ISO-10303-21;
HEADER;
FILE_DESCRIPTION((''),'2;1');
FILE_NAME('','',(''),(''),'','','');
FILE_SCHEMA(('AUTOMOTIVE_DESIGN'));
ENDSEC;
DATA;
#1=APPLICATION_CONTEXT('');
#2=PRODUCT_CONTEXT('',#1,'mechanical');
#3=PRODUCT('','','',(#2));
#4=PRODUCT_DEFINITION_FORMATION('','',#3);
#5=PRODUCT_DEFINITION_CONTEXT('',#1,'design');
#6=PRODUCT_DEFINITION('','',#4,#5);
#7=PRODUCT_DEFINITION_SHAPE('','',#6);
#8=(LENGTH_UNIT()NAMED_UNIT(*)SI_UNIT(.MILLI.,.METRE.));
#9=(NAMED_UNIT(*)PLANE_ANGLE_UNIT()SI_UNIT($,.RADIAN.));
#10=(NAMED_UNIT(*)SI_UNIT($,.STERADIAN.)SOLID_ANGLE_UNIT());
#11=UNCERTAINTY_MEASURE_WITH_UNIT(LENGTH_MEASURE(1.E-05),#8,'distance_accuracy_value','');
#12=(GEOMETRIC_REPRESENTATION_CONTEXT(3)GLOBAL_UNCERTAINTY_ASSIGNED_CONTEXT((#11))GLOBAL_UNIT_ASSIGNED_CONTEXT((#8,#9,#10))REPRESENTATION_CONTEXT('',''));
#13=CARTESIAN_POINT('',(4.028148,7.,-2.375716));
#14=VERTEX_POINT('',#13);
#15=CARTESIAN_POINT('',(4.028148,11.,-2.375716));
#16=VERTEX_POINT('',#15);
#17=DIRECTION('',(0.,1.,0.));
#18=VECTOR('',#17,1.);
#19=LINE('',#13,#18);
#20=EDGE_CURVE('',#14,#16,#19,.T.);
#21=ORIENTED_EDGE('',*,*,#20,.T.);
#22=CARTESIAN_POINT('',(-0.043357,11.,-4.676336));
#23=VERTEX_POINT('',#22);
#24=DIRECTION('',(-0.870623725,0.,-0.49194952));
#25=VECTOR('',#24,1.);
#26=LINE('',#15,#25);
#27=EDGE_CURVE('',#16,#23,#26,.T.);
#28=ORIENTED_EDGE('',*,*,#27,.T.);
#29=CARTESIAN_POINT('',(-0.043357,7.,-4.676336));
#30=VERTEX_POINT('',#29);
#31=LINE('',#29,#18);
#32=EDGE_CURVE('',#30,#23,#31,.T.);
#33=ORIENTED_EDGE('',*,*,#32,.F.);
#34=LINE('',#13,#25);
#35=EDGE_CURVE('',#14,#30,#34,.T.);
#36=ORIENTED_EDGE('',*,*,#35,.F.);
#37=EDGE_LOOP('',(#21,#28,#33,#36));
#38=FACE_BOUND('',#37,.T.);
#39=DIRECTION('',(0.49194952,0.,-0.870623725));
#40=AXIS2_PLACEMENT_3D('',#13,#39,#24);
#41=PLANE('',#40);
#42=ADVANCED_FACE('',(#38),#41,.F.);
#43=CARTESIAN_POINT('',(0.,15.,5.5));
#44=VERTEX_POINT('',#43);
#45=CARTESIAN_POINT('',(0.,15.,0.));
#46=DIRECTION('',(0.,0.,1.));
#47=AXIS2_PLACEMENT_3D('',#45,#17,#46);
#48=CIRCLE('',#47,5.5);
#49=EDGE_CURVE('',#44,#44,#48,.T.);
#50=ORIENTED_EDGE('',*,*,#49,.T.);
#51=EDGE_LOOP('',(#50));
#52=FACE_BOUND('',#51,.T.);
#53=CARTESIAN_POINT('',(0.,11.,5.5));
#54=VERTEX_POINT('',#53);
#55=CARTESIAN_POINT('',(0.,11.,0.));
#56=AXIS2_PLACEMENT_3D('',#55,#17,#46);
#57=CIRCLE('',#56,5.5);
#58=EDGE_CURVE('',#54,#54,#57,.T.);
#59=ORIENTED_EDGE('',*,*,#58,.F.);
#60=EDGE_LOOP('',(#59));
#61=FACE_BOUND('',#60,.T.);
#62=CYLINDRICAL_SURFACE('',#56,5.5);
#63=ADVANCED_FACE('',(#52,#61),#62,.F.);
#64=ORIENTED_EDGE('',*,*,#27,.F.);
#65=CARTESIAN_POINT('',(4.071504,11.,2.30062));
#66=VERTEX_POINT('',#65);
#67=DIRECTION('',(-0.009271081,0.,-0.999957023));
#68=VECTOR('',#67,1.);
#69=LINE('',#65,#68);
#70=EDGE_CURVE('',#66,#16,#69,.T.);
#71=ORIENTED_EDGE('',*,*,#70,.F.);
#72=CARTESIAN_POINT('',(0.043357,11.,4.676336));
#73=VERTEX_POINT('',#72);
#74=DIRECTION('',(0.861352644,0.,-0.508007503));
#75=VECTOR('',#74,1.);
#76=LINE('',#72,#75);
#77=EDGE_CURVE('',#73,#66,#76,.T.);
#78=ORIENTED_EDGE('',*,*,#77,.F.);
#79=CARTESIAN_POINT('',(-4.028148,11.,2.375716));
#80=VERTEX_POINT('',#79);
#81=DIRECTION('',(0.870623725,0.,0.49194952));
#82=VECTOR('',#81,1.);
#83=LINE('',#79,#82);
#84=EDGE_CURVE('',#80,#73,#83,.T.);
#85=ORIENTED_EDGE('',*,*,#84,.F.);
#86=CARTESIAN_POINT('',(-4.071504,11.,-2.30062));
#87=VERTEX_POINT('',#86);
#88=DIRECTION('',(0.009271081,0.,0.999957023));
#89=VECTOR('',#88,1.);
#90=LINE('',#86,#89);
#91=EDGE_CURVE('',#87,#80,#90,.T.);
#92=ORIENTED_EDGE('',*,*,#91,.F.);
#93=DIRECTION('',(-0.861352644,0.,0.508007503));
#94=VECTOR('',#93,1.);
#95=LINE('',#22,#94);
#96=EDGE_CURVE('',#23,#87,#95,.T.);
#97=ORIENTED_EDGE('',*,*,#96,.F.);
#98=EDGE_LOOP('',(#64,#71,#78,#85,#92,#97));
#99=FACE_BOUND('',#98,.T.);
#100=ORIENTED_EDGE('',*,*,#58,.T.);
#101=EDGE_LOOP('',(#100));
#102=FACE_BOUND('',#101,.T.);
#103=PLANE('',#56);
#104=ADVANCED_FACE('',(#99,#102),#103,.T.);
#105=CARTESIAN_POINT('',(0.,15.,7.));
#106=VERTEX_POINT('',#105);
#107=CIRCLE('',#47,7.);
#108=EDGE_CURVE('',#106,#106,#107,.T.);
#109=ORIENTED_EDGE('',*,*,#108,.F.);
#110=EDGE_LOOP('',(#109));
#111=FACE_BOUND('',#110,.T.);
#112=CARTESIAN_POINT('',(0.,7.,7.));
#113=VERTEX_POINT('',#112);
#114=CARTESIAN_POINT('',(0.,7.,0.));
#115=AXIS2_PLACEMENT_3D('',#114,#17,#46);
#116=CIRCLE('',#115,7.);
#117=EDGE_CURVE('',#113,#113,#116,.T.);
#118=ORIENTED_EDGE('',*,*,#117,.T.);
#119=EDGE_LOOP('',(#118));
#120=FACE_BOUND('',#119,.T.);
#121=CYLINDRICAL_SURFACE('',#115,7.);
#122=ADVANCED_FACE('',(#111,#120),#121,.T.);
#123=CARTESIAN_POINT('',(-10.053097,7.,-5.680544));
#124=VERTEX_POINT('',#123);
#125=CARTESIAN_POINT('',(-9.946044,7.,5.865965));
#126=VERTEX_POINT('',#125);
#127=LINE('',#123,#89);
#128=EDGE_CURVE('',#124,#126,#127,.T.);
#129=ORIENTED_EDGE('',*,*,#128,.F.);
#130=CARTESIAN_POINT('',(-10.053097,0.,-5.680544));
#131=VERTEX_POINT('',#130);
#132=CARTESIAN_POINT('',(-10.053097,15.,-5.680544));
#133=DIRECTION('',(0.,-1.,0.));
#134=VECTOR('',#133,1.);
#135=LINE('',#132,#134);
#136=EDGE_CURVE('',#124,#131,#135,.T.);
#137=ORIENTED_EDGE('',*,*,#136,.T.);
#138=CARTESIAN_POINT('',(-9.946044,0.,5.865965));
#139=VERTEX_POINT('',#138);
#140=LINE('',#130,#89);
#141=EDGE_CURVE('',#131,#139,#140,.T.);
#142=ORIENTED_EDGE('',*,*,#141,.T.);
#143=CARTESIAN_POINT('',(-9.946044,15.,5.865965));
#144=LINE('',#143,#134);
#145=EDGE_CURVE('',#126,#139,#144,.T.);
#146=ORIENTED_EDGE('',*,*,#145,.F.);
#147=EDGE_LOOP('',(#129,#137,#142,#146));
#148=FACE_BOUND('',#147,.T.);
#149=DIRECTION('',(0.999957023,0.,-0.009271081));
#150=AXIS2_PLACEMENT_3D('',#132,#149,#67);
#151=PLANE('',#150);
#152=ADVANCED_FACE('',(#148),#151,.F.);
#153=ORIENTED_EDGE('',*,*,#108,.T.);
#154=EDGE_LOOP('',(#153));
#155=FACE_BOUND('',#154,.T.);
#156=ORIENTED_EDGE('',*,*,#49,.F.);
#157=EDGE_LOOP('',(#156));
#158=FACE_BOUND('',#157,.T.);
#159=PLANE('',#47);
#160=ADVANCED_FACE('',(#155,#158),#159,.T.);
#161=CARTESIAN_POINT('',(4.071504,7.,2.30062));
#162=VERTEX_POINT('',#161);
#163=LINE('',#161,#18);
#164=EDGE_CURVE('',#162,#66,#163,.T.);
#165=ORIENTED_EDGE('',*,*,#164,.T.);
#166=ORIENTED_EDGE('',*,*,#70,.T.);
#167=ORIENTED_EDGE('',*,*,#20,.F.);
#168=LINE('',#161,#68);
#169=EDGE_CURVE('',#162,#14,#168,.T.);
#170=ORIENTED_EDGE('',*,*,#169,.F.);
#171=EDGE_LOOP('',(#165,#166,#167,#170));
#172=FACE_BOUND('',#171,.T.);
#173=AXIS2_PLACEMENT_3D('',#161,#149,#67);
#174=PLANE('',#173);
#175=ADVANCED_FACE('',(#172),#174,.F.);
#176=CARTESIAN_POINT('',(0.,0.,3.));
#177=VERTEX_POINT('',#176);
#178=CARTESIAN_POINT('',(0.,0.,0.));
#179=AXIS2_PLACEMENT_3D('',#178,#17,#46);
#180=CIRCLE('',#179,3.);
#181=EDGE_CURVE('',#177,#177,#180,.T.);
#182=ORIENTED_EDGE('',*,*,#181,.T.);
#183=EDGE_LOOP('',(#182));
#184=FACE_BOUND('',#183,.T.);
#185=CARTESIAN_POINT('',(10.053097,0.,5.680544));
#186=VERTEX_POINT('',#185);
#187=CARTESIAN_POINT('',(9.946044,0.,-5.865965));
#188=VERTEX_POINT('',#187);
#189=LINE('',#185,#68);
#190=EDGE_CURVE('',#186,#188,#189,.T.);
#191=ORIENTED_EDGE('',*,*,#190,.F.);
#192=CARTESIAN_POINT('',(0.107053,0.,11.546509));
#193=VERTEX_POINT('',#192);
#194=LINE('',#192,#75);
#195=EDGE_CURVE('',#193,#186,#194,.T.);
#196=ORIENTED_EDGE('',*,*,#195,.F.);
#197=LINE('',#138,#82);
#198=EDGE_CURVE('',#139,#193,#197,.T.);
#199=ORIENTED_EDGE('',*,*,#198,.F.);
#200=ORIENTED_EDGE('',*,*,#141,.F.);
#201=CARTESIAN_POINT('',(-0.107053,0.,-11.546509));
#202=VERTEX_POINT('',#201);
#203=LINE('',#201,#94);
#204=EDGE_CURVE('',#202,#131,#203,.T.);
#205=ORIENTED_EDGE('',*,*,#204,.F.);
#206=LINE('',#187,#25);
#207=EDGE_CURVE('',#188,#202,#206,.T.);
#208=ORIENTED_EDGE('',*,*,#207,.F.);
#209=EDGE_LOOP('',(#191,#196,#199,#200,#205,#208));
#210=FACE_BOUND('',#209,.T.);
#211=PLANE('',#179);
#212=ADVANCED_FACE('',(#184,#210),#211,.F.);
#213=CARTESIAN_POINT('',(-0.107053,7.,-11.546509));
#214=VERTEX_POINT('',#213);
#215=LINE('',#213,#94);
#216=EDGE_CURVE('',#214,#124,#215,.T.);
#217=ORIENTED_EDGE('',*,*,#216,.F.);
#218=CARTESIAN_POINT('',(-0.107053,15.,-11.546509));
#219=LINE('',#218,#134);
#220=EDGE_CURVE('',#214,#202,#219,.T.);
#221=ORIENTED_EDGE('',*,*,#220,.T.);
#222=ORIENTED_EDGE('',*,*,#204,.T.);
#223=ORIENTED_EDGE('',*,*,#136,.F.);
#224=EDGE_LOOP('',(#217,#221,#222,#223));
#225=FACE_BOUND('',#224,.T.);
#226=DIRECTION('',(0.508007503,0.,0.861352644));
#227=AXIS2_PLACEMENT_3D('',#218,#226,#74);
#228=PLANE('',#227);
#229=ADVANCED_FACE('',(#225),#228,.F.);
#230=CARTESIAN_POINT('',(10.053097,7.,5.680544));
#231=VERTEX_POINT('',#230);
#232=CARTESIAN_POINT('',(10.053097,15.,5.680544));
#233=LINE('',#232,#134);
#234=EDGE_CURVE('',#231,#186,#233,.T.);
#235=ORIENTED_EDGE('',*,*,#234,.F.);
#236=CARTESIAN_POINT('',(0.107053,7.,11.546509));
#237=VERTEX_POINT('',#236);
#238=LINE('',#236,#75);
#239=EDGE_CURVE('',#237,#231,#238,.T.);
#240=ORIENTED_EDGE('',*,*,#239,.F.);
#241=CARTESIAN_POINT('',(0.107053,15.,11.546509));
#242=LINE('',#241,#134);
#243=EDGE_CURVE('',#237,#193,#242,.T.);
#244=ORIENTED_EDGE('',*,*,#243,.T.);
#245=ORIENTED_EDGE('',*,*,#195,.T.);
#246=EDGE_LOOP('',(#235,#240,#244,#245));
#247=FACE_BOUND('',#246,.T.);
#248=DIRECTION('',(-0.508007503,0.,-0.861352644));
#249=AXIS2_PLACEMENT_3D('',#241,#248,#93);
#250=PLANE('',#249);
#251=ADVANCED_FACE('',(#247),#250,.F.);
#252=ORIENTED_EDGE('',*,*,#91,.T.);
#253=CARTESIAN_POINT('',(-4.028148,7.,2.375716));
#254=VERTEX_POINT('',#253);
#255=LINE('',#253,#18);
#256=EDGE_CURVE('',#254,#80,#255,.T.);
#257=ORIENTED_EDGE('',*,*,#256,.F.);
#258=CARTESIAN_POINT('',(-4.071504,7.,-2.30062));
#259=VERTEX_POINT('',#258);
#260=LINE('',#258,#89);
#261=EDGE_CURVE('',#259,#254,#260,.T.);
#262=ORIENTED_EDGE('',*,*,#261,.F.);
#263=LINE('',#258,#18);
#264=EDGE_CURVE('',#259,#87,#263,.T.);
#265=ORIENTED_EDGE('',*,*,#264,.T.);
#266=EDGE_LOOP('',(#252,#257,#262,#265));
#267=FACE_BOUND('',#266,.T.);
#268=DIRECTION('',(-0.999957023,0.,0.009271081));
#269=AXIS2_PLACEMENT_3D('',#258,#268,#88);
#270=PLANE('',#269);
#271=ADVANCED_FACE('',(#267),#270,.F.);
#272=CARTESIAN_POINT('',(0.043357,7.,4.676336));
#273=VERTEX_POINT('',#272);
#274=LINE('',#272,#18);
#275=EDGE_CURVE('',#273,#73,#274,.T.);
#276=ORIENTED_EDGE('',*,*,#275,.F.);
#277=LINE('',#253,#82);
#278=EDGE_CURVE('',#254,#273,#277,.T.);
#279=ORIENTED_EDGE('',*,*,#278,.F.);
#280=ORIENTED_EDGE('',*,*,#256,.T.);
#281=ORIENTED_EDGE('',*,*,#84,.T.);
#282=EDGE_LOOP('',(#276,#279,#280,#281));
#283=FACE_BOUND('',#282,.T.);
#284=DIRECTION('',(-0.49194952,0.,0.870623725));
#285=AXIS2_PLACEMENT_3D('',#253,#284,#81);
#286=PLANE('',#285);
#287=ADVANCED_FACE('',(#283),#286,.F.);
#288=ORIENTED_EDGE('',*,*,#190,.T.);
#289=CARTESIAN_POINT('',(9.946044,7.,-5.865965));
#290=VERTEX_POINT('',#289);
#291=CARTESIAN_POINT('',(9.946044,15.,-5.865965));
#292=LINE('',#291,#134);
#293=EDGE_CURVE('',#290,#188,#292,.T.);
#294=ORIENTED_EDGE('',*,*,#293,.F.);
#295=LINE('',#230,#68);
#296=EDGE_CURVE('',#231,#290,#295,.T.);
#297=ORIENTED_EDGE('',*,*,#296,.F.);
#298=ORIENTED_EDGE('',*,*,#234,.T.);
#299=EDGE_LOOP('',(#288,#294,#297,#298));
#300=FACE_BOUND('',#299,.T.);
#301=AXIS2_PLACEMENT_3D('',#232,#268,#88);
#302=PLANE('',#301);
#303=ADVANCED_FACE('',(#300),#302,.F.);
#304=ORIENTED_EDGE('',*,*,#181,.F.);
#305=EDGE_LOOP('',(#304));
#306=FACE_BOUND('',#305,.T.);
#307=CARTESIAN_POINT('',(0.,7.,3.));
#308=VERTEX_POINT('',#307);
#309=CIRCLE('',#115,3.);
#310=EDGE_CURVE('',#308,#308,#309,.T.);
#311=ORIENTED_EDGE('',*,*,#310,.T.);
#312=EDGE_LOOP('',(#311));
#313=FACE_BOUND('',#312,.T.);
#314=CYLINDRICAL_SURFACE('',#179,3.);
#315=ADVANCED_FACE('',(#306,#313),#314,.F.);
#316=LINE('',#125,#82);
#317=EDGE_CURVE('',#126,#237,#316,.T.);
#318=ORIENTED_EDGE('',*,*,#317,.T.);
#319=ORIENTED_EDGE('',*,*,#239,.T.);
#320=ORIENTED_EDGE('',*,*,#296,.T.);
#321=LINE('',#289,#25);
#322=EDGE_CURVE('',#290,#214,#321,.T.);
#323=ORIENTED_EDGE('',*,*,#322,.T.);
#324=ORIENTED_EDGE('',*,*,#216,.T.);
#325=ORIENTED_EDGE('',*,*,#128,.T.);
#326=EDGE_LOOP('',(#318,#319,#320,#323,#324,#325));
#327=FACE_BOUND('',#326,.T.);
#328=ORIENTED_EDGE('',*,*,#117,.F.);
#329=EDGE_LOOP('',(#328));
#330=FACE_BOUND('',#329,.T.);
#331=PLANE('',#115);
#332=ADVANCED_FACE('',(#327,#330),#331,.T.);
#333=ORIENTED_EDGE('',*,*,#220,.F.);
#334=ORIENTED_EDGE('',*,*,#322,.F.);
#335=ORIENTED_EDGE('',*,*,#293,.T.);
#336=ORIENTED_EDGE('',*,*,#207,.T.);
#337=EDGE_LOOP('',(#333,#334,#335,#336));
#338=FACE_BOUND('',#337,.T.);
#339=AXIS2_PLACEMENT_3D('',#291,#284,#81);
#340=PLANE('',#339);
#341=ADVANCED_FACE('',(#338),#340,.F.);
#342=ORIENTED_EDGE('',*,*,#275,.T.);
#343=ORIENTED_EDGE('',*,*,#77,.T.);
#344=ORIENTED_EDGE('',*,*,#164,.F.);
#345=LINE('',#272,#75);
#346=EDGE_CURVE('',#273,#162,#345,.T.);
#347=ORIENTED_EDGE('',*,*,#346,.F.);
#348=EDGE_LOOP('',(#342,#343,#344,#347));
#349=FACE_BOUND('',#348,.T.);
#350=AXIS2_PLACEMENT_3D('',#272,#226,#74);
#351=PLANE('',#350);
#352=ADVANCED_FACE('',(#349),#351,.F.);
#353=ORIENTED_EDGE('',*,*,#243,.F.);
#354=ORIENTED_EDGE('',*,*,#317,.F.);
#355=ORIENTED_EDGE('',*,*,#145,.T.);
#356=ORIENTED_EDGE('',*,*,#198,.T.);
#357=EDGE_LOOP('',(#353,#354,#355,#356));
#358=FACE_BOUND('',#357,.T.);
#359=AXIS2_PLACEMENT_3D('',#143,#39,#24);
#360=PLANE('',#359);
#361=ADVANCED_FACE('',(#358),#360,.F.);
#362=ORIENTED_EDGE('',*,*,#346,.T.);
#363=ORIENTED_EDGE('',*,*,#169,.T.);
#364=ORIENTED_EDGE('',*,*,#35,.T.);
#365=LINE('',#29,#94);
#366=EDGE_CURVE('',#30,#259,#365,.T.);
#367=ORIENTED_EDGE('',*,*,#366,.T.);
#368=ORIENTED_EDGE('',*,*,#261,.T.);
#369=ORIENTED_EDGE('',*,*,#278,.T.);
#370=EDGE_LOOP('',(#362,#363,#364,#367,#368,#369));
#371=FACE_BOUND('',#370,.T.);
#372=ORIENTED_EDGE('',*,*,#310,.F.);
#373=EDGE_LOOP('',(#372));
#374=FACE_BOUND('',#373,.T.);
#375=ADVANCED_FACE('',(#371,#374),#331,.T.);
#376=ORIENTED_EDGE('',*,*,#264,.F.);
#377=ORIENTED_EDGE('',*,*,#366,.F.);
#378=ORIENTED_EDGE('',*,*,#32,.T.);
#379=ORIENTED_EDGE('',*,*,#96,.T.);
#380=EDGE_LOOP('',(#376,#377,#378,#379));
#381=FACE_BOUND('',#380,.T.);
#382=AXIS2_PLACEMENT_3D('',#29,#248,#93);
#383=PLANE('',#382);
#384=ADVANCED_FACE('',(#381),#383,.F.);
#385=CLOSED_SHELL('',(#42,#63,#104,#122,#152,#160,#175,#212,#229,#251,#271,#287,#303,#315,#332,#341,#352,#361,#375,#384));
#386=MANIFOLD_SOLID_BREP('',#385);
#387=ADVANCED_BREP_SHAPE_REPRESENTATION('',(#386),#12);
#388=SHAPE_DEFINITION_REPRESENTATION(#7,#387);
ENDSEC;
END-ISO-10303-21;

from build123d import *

# Parameters (mm, degrees)
BOSS_EXTRUDE1_DEPTH = 15
SKETCH3_OUTSIDE_W   = 28.926
SKETCH3_OUTSIDE_H   = 31.914
SKETCH3_OUTSIDE_R   = 7
CUT_EXTRUDE1_DEPTH  = 8
SKETCH4_R           = 5.5
CUT_EXTRUDE2_DEPTH  = 4
CUT_EXTRUDE3_DEPTH  = 4
SKETCH6_R           = 3
CUT_EXTRUDE4_DEPTH  = 8


with BuildPart() as part:
    # Sketch1 → Boss-Extrude1 (new body)
    with BuildSketch(Plane(origin=(0, 0, 0), x_dir=(1, 0, 0), z_dir=(0, 1, 0))):
        Polygon((9.946043617, 5.865965368), (-0.107053218, 11.546509124), (-10.053096835, 5.680543756), (-9.946043617, -5.865965368), (0.107053218, -11.546509124), (10.053096835, -5.680543756), align=None)
    extrude(amount=BOSS_EXTRUDE1_DEPTH)

    # Sketch3 outside → Cut-Extrude1 (cut)
    with BuildSketch(Plane(origin=(0, 15, 0), x_dir=(1, 0, 0), z_dir=(0, 1, 0))):
        Rectangle(SKETCH3_OUTSIDE_W, SKETCH3_OUTSIDE_H)
        Circle(SKETCH3_OUTSIDE_R, mode=Mode.SUBTRACT)
    extrude(amount=-CUT_EXTRUDE1_DEPTH, mode=Mode.SUBTRACT)

    # Sketch4 → Cut-Extrude2 (cut)
    with BuildSketch(Plane(origin=(0, 15, 0), x_dir=(1, 0, 0), z_dir=(0, 1, 0))):
        Circle(SKETCH4_R)
    extrude(amount=-CUT_EXTRUDE2_DEPTH, mode=Mode.SUBTRACT)

    # Sketch5 → Cut-Extrude3 (cut)
    with BuildSketch(Plane(origin=(0, 11, 0), x_dir=(1, 0, 0), z_dir=(0, 1, 0))):
        Polygon((-4.071504218, 2.300620221), (-4.028147665, -2.375715974), (0.043356553, -4.676336195), (4.071504218, -2.300620221), (4.028147665, 2.375715974), (-0.043356553, 4.676336195), align=None)
    extrude(amount=-CUT_EXTRUDE3_DEPTH, mode=Mode.SUBTRACT)

    # Sketch6 → Cut-Extrude4 (cut, through all)
    with BuildSketch(Plane(origin=(0, 7, 0), x_dir=(1, 0, 0), z_dir=(0, 1, 0))):
        Circle(SKETCH6_R)
    extrude(amount=-CUT_EXTRUDE4_DEPTH, mode=Mode.SUBTRACT)


solid = part.part
